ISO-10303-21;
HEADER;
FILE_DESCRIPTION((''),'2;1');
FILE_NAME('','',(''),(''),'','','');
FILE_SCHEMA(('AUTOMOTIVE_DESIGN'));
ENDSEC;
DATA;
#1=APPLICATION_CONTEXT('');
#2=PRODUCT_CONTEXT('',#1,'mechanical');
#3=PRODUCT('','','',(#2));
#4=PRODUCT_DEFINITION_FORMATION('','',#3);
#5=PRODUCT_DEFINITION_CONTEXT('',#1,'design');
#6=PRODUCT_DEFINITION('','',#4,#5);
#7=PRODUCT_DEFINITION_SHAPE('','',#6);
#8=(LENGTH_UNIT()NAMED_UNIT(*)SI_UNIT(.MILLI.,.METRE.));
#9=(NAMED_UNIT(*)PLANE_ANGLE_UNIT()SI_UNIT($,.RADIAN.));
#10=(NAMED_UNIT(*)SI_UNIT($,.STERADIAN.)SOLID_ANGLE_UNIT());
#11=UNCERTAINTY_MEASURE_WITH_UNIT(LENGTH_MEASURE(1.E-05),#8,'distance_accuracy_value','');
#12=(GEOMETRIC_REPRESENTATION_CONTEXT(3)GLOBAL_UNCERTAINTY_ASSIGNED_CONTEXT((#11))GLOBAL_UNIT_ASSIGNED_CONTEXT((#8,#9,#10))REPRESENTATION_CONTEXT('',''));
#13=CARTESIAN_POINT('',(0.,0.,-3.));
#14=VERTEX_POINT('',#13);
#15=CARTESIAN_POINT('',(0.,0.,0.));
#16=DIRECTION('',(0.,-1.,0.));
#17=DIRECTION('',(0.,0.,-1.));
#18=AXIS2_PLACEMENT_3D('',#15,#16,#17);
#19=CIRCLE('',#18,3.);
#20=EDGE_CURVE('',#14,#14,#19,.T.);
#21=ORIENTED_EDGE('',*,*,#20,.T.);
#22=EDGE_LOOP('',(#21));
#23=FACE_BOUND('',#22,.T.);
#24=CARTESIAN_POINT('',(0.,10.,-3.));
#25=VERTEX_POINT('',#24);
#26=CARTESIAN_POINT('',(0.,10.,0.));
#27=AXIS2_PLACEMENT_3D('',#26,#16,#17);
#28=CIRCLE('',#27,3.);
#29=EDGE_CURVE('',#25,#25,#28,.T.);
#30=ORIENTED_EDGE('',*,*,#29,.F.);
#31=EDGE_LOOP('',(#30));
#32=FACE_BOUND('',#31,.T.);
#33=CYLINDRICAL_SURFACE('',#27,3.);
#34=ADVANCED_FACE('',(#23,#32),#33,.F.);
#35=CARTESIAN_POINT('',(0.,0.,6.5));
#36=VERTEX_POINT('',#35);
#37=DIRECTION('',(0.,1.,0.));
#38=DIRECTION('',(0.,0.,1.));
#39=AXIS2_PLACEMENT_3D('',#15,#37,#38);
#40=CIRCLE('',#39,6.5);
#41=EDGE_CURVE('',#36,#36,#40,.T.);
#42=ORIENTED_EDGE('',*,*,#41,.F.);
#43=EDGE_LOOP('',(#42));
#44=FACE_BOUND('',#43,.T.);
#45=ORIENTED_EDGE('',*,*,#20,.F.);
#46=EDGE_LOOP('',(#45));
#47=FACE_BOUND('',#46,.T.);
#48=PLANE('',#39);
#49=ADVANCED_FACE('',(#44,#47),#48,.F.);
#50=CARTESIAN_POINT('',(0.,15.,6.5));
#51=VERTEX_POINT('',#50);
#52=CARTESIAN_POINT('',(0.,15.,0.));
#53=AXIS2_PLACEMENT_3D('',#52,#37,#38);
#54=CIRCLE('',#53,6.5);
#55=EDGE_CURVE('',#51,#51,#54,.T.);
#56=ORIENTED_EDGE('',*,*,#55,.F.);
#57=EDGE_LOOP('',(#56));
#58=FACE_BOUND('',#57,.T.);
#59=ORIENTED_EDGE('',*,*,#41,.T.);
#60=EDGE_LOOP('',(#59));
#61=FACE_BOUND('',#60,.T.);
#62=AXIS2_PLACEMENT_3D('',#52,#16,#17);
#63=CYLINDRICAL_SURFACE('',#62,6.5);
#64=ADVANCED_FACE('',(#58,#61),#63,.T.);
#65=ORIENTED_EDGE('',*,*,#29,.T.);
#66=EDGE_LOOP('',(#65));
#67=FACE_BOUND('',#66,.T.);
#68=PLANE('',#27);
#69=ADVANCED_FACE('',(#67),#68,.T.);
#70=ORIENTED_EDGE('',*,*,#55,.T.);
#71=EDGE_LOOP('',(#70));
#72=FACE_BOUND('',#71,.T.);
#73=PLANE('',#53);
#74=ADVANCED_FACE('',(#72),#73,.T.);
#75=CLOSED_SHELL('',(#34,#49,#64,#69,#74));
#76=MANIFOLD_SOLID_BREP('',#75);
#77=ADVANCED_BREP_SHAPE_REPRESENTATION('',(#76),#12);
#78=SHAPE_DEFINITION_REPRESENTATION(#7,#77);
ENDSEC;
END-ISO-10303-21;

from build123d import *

# Parameters (mm, degrees)
SKETCH1_R           = 6.5
BOSS_EXTRUDE1_DEPTH = 15
SKETCH2_R           = 3
CUT_EXTRUDE1_DEPTH  = 10


with BuildPart() as part:
    # Sketch1 → Boss-Extrude1 (new body)
    with BuildSketch(Plane(origin=(0, 0, 0), x_dir=(1, 0, 0), z_dir=(0, 1, 0))):
        Circle(SKETCH1_R)
    extrude(amount=BOSS_EXTRUDE1_DEPTH)

    # Sketch2 → Cut-Extrude1 (cut)
    with BuildSketch(Plane.XZ):
        Circle(SKETCH2_R)
    extrude(amount=-CUT_EXTRUDE1_DEPTH, mode=Mode.SUBTRACT)


solid = part.part
